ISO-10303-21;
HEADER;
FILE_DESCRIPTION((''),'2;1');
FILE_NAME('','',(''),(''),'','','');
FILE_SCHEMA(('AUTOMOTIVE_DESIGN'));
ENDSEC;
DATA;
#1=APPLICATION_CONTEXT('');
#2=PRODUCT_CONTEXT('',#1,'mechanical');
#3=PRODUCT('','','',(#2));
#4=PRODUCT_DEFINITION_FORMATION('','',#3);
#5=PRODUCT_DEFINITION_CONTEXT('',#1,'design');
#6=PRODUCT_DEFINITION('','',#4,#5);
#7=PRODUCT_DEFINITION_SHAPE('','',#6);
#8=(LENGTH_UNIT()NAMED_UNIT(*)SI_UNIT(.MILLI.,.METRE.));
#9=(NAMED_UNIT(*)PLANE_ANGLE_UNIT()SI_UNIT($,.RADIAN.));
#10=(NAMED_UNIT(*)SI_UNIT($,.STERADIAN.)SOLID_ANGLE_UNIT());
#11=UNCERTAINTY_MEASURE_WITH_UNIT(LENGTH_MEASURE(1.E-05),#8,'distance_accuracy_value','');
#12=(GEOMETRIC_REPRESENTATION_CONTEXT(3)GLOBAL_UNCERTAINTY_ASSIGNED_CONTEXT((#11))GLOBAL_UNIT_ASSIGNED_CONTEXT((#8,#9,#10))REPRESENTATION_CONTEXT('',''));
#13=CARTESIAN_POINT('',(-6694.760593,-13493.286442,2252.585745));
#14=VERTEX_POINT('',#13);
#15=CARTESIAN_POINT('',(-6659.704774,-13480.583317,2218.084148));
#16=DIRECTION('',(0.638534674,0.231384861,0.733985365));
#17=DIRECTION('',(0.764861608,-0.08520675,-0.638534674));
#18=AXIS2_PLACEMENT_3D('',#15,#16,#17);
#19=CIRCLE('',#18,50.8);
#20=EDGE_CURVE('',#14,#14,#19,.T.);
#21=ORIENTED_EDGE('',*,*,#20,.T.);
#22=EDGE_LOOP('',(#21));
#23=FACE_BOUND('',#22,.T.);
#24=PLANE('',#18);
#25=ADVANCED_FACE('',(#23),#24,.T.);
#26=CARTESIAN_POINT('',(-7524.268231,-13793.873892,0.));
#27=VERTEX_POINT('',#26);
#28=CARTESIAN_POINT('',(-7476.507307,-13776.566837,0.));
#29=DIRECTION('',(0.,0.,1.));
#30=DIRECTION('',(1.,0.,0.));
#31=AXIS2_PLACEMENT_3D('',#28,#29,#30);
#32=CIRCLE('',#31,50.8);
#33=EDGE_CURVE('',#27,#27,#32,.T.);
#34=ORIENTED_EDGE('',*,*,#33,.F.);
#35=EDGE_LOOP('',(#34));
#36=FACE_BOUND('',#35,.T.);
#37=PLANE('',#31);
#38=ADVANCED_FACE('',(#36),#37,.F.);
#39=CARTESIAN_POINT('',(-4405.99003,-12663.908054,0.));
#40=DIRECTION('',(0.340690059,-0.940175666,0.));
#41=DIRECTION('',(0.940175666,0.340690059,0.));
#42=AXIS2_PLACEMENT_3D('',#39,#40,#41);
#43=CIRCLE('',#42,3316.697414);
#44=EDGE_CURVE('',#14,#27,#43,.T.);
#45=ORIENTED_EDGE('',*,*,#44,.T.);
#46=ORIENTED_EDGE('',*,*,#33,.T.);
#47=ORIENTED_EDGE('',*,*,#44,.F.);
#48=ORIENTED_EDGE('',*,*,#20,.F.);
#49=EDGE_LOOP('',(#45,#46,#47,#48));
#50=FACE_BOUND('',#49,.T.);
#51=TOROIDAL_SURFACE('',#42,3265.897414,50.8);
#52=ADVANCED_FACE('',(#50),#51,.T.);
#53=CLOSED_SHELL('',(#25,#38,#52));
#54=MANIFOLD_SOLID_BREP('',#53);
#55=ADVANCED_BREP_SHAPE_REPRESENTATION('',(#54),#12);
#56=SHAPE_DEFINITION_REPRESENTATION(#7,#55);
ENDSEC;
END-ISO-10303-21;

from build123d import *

# Parameters (mm, degrees)
SKETCH1_R = 50.8


with BuildPart() as part:
    # Sweep1: sweep along a path in Sketch2
    with BuildLine(Plane(origin=(3544.955422996, -9782.735764226, 0), x_dir=(0.7860235223987314, 0.2848301758818029, 0.5486700220925436), z_dir=(-0.3406900592252327, 0.9401756663225802, -3.58046925441613e-15))) as sweep1_path:
        ThreePointArc((-9800.692564255, -6431.932261533), (-8959.124515346, -7304.302001577), (-7857.365242884, -7809.665484465))
    # Sketch1 → Sweep1 (sweep)
    with BuildSketch(Plane.XY):
        with Locations((-7476.507307309, -13776.566837331)):
            Circle(SKETCH1_R)
    sweep(path=sweep1_path.line)


solid = part.part
